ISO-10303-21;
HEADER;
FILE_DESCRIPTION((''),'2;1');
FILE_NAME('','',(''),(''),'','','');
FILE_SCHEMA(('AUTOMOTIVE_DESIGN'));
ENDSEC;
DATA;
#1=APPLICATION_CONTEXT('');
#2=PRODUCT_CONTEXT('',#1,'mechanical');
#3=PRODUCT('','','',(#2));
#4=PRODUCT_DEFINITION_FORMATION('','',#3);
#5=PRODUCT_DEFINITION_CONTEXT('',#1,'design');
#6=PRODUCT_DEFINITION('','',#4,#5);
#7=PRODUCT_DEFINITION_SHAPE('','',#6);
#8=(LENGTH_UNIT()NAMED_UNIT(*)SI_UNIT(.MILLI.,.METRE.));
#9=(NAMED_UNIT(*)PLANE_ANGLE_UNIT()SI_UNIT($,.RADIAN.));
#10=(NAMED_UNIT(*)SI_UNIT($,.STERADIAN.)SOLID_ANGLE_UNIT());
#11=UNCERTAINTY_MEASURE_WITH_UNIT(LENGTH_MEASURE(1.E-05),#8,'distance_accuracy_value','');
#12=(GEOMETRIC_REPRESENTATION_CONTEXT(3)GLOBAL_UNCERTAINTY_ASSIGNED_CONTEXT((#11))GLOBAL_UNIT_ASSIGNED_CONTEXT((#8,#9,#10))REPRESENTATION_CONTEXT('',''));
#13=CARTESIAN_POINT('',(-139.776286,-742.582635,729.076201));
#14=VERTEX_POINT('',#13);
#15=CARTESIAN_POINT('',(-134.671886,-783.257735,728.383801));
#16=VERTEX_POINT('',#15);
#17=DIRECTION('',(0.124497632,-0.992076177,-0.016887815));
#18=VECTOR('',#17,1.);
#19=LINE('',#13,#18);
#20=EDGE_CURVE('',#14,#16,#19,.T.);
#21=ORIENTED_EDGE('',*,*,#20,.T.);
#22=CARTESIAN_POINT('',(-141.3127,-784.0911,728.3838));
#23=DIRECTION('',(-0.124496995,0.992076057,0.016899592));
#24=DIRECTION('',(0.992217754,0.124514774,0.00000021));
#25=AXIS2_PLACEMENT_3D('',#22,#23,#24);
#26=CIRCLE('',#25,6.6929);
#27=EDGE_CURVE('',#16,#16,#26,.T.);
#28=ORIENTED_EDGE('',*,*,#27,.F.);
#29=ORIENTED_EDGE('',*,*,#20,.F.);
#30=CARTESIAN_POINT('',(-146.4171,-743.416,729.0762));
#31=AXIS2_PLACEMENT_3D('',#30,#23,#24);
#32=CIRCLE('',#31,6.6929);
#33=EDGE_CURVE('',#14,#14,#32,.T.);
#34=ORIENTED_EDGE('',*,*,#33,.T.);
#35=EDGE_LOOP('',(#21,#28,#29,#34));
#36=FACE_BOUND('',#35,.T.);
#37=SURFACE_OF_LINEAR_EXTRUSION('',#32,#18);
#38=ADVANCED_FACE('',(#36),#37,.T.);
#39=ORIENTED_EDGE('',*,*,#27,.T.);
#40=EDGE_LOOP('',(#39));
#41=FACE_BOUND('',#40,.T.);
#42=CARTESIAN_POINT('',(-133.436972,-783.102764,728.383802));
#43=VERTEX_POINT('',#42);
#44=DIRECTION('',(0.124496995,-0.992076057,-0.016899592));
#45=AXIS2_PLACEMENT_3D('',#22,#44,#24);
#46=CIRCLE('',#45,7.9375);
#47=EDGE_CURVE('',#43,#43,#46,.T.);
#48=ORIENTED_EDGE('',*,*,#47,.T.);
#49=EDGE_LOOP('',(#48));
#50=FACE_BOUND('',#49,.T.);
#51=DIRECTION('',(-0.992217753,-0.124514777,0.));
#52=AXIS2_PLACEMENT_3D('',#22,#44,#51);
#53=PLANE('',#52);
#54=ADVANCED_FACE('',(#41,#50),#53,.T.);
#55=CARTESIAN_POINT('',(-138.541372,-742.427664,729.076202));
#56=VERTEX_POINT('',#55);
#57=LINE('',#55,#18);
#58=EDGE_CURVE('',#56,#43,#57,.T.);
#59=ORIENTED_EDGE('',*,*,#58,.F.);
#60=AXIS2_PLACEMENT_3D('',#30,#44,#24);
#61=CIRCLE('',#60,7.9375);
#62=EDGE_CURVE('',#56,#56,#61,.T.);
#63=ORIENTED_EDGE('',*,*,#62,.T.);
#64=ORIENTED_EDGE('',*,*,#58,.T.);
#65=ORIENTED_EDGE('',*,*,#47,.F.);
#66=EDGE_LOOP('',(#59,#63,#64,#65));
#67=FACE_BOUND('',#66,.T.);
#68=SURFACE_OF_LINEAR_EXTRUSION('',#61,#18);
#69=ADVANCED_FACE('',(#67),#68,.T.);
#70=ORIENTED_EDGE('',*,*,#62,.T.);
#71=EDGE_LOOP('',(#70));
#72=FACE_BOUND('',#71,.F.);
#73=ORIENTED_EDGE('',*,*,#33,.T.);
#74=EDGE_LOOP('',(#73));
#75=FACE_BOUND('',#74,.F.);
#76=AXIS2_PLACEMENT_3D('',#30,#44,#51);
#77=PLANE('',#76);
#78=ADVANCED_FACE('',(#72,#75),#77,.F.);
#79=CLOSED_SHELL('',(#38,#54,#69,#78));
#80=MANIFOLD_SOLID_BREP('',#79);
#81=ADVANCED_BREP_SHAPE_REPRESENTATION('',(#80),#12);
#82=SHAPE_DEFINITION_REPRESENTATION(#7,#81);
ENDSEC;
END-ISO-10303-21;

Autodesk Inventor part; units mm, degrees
ref_plane "YZ Plane" through (0, 0, 0) normal (1, 0, 0) x (0, 1, 0)
ref_plane "XZ Plane" through (0, 0, 0) normal (0, 1, 0) x (-1, 0, 0)
ref_plane "Work Plane5" through (-146.4171, -743.416, 729.0762) normal (0.1245, -0.9921, -0.0169) x (0.9922, 0.1245, 0)
sketch "Sketch7" plane through (-146.4171, -743.416, 729.0762) normal (0.1245, -0.9921, -0.0169) x (0.9922, 0.1245, 0)
  circle A0 centre (0, 0) radius 7.9375
  circle A1 centre (0, 0) radius 6.6929
sketch3d "3D Sketch5"
  line L0 (-146.4171, -743.416, 729.0762) -> (-141.3127, -784.0911, 728.3838)
sweep "Sweep5" add profiles "Sketch7" path "3D Sketch5"
equation "\"OD\" = 15.875"
equation "\"t\" = 1.2446"
equation "\"L\" = PL"
equation "\"ID\" = 13.3858"
equation "\"PL\" = 40.9956"
equation "\"Size_Designation\" = 1.2345"
properties material "Copper"
